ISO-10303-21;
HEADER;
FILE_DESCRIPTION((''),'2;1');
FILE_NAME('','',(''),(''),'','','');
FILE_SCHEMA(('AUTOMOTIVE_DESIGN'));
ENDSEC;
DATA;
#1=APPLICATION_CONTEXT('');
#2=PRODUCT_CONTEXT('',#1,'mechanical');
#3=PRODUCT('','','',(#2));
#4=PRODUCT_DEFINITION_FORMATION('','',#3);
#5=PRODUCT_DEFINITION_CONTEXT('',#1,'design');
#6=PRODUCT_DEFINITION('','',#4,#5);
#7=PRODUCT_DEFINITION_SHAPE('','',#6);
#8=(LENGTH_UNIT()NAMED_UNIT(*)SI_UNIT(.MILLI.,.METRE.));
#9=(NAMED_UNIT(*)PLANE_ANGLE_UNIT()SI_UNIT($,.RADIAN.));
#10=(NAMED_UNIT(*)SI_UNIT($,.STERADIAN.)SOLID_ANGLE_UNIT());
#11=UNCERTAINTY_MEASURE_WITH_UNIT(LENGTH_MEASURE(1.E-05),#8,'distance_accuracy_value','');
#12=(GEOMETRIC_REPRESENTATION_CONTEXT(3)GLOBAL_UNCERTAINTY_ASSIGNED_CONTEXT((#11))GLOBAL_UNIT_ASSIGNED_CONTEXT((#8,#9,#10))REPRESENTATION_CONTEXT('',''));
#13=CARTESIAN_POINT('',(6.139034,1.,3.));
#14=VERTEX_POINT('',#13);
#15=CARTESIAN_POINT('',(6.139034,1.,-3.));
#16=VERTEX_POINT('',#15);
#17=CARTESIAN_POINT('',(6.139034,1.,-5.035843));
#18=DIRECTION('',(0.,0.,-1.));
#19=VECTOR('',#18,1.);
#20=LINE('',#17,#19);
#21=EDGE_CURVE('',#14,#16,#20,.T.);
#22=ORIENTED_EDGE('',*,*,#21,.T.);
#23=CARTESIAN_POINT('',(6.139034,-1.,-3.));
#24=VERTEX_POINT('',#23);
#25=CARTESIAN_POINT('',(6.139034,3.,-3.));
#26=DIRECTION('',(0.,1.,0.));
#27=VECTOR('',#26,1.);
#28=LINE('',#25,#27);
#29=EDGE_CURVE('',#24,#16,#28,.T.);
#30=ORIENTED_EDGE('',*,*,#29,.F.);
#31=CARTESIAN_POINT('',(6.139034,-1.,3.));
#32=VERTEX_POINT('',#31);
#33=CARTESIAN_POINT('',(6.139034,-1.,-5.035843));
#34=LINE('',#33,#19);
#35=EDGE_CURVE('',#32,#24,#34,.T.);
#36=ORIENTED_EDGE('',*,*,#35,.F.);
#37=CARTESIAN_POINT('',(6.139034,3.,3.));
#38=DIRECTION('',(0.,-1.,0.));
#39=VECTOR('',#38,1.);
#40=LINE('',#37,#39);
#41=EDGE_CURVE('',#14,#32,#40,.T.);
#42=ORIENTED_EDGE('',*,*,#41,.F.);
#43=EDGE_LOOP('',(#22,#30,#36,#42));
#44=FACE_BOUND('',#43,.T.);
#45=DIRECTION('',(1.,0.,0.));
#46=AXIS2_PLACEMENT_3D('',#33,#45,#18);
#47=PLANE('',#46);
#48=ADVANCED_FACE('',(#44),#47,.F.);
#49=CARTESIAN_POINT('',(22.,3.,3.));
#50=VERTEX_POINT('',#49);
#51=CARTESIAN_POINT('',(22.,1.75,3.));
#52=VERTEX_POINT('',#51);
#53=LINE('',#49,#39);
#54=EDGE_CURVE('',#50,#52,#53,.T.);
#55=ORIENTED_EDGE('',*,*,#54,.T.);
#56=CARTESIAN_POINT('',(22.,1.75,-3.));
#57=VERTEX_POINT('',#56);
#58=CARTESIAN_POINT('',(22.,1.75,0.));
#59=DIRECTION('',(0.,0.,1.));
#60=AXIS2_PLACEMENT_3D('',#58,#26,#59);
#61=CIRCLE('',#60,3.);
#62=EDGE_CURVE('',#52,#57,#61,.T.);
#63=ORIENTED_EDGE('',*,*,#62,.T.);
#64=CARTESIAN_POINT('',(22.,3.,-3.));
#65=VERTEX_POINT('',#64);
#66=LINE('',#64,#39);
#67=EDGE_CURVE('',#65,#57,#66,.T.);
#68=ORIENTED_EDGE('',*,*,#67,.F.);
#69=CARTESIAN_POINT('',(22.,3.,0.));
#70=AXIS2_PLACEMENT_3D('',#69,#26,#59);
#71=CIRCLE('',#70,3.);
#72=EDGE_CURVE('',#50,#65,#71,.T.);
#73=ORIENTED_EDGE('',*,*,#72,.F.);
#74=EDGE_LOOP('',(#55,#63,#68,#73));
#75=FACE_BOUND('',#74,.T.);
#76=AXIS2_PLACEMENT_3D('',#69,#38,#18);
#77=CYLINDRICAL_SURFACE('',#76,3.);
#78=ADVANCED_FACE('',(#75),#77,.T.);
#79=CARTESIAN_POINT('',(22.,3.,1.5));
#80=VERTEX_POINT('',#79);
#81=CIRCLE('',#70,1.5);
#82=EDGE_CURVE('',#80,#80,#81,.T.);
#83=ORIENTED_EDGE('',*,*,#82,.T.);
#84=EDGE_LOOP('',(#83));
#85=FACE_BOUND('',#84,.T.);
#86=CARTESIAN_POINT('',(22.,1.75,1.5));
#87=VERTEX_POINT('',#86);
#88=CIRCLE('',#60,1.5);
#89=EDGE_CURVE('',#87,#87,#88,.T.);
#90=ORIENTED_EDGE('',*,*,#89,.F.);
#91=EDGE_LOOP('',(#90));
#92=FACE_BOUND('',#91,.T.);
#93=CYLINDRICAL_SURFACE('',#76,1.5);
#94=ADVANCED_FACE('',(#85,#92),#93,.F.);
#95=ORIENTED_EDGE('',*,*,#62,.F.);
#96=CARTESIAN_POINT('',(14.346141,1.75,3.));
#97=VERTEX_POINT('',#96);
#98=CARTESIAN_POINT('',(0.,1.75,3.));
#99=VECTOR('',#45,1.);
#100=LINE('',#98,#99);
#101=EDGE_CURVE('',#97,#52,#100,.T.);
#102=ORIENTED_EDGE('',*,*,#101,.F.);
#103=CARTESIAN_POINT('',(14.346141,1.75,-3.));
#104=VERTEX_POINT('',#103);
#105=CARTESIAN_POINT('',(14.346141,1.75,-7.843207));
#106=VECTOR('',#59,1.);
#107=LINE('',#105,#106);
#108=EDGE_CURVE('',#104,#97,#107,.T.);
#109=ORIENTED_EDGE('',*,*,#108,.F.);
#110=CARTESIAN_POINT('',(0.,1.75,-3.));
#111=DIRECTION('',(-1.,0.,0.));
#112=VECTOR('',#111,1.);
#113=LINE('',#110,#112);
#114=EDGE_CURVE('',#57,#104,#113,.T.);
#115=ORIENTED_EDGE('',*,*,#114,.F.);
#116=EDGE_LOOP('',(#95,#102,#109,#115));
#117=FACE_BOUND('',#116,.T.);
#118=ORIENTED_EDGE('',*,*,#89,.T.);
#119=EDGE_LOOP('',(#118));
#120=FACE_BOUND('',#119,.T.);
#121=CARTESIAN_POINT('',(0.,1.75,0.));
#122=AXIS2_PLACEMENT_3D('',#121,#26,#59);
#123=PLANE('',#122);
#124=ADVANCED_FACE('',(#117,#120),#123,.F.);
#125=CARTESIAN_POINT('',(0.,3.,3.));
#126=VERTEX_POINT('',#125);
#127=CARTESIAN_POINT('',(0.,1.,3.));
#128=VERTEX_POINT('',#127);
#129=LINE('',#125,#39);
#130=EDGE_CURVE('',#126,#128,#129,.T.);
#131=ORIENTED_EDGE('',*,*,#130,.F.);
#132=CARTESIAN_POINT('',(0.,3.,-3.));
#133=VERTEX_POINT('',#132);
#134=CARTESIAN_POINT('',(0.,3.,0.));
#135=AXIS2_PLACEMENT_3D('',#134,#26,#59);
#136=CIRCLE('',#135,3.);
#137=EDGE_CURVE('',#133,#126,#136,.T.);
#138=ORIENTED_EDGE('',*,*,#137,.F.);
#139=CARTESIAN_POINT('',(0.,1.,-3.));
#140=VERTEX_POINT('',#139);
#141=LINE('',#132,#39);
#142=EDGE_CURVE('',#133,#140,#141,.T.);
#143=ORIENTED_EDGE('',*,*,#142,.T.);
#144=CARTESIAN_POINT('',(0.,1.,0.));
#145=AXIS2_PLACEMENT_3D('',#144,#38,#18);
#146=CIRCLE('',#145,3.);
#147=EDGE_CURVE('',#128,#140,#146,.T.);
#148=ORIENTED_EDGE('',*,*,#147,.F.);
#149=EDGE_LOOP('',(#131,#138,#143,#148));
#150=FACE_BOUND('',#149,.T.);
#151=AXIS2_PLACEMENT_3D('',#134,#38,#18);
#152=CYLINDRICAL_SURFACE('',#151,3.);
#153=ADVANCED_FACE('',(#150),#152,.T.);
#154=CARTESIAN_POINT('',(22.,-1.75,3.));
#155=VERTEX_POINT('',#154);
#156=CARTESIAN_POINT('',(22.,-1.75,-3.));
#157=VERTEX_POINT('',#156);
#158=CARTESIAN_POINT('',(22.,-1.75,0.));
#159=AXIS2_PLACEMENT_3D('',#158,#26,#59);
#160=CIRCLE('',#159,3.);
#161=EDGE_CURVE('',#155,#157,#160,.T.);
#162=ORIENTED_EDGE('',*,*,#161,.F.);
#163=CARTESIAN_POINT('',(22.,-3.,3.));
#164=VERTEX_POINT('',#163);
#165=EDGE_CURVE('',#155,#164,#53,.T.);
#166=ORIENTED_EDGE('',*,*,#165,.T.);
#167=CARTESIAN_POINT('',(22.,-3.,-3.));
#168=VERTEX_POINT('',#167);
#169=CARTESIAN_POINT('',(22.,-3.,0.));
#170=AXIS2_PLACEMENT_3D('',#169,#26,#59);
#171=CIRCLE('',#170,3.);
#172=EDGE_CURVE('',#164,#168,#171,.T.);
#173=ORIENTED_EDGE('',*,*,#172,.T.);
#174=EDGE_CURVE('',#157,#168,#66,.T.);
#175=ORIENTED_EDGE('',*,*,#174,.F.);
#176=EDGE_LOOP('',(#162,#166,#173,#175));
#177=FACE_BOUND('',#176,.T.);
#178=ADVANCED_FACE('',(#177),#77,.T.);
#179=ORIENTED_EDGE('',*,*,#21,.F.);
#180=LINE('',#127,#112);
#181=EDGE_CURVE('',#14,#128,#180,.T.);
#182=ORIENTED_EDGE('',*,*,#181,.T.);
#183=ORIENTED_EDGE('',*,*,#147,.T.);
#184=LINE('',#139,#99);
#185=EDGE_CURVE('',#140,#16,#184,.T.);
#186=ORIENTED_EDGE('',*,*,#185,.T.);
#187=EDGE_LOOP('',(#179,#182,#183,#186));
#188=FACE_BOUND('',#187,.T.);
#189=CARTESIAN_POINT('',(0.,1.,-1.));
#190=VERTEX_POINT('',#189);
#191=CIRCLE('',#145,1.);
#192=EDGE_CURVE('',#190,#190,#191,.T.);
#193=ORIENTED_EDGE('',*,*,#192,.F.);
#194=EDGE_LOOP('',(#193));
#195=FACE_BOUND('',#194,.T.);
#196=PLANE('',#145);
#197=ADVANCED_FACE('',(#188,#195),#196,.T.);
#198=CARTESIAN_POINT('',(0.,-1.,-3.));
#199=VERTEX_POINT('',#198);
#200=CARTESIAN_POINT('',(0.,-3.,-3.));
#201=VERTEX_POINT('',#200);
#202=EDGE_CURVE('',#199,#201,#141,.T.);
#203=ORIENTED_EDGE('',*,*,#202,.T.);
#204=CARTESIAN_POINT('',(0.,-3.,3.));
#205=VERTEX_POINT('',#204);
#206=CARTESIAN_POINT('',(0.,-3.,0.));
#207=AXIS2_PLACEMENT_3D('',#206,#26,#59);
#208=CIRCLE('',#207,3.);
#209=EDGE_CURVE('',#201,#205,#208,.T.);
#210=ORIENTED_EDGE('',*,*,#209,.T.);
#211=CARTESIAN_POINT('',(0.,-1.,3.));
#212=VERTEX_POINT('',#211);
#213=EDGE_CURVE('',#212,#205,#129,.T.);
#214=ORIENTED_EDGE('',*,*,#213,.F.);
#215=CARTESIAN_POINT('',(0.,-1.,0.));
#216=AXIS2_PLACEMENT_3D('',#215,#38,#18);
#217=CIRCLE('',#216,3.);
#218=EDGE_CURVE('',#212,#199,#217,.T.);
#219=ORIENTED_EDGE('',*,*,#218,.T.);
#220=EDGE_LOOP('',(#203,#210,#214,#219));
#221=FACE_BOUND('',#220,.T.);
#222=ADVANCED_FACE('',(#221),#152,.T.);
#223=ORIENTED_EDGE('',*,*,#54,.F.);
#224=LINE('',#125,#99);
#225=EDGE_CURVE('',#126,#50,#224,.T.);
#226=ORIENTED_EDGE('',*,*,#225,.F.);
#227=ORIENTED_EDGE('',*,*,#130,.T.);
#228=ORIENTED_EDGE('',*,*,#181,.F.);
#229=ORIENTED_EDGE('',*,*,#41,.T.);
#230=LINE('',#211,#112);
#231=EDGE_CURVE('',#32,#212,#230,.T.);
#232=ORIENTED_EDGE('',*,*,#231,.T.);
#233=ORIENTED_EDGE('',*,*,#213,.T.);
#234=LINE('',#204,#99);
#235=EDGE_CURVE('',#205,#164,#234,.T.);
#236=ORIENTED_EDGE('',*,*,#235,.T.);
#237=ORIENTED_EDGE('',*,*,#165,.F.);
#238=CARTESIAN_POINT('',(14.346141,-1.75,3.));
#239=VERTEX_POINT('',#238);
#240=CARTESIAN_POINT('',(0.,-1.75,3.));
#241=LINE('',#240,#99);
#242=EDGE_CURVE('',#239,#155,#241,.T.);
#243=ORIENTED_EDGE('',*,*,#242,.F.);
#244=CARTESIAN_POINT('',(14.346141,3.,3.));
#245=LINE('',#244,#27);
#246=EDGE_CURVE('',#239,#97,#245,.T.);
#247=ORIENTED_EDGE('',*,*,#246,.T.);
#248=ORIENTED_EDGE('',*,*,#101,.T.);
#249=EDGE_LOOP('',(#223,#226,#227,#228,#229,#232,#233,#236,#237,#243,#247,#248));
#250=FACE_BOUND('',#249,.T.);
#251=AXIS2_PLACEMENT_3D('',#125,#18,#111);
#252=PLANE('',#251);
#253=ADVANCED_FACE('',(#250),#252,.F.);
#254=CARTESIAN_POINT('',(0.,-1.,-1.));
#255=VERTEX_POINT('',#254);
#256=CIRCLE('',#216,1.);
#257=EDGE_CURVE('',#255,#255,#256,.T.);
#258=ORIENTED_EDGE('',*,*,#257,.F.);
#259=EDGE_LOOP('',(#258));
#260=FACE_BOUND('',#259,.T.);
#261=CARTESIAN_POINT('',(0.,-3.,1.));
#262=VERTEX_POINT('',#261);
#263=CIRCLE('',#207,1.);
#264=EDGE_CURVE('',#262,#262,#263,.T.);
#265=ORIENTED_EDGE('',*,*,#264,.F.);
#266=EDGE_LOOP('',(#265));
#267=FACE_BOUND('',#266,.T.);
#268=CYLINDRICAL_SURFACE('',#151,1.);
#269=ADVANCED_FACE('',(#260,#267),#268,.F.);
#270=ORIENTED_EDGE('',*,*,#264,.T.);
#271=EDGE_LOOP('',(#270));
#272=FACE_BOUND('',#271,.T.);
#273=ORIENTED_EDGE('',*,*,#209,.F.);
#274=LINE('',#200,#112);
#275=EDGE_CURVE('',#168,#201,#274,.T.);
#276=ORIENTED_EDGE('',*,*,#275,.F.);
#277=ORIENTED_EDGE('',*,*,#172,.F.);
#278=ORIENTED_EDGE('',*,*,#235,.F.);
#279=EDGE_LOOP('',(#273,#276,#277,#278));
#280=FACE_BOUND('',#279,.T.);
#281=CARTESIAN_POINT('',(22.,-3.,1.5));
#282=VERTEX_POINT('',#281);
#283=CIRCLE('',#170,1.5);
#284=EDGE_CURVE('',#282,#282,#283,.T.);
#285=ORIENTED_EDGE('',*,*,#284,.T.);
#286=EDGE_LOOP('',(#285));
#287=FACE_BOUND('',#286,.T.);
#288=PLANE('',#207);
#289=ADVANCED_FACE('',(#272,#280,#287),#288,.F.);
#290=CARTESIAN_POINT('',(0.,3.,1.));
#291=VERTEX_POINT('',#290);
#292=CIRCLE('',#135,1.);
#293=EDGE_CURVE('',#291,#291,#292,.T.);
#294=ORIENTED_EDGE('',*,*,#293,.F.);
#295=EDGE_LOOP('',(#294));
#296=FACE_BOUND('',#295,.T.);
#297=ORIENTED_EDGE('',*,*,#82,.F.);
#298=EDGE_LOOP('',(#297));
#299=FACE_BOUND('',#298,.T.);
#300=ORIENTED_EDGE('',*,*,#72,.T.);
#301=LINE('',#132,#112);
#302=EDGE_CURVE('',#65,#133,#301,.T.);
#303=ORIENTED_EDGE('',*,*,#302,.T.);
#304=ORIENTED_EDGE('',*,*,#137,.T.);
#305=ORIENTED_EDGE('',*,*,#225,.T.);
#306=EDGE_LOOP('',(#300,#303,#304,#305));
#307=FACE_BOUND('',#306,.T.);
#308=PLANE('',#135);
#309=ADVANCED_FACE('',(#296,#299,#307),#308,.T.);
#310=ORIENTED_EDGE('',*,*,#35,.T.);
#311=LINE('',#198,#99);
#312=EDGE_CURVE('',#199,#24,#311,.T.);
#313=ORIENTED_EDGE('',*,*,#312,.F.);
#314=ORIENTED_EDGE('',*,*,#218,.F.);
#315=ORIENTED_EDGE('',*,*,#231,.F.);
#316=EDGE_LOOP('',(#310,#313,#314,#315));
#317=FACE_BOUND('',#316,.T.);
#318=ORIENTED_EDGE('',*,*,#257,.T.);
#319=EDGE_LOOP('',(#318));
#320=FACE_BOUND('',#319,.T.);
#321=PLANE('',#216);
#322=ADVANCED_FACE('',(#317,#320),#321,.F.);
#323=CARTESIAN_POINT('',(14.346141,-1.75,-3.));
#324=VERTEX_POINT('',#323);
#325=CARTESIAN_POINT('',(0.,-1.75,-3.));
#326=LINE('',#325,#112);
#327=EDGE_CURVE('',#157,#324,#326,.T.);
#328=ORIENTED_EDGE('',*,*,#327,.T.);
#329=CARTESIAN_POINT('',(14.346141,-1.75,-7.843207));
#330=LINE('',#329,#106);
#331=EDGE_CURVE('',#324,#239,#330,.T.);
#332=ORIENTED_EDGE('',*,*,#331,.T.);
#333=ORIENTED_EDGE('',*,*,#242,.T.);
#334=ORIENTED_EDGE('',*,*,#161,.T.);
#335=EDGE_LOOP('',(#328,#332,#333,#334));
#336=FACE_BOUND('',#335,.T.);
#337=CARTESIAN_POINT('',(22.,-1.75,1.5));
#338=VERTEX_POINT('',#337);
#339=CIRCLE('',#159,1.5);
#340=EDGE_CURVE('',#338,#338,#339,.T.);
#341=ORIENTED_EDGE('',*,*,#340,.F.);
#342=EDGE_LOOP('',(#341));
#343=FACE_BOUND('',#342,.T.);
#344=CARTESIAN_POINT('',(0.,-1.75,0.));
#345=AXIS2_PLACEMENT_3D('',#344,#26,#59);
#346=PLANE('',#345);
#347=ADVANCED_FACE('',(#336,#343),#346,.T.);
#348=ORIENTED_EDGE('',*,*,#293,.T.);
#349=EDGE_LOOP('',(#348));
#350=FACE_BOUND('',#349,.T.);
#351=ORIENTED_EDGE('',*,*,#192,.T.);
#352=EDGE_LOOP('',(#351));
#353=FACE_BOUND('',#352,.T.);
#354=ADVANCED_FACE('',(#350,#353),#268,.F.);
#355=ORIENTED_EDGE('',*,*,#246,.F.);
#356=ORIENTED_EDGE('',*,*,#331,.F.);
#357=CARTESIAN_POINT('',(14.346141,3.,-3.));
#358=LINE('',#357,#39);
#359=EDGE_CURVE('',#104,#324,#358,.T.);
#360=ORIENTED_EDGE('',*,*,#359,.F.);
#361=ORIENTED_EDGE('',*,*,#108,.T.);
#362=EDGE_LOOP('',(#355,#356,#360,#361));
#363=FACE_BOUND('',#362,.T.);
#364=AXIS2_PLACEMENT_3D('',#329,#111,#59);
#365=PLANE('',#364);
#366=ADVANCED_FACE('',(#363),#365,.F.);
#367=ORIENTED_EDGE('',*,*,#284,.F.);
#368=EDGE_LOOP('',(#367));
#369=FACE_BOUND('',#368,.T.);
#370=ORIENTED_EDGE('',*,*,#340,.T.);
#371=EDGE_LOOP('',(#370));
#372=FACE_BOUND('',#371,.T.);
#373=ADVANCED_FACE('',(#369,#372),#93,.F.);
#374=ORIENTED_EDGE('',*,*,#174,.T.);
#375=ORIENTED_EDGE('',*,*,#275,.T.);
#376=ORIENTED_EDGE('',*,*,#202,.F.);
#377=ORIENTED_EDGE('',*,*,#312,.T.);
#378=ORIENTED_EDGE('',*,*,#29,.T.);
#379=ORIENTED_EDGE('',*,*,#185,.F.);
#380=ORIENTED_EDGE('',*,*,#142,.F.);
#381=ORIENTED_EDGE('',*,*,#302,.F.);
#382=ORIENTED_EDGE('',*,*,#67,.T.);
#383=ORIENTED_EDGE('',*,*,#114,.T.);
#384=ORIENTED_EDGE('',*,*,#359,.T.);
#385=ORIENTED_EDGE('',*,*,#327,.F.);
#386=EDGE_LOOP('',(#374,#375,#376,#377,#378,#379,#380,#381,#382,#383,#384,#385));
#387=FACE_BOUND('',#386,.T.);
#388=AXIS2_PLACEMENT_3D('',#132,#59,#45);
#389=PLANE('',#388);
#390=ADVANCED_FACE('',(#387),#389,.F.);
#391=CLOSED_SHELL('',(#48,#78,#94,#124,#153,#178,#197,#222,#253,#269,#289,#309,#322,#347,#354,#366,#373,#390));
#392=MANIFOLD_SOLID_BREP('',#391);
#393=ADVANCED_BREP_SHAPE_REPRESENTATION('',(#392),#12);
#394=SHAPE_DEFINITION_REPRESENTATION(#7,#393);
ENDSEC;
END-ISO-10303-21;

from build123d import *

# Parameters (mm, degrees)
SKETCH_1_R          = 1.5
SKETCH_1_R_2        = 1
EXTRUDE_1_DEPTH     = 3
SKETCH_6_W          = 31.511370345
SKETCH_6_H          = 11.605197544
CUT_EXTRUDE_2_DEPTH = 1.75
SKETCH_7_W          = 12.660216836
SKETCH_7_H          = 9.649927943
CUT_EXTRUDE_3_DEPTH = 1


with BuildPart() as part:
    # 草图1 → 凸台-拉伸1 (new, symmetric)
    with BuildSketch(Plane(origin=(0, 0, 0), x_dir=(1, 0, 0), z_dir=(0, 1, 0))):
        with BuildLine():
            Line((0, 3), (22, 3))
            ThreePointArc((22, 3), (25, 0), (22, -3))
            Line((22, -3), (0, -3))
            ThreePointArc((0, -3), (-3, 0), (0, 3))
        make_face()
        with Locations(Location((22, 0, 0), (0, 0, 270))):
            Circle(SKETCH_1_R, mode=Mode.SUBTRACT)
        with Locations(Location((0, 0, 0), (0, 0, 270))):
            Circle(SKETCH_1_R_2, mode=Mode.SUBTRACT)
    extrude(amount=EXTRUDE_1_DEPTH, both=True)

    # 草图6 → 切除-拉伸2 (cut, symmetric)
    with BuildSketch(Plane(origin=(0, 0, 0), x_dir=(1, 0, 0), z_dir=(0, 1, 0))):
        with Locations((30.101826092, 2.040608699)):
            Rectangle(SKETCH_6_W, SKETCH_6_H)
    extrude(amount=CUT_EXTRUDE_2_DEPTH, both=True, mode=Mode.SUBTRACT)

    # 草图7 → 切除-拉伸3 (cut, symmetric)
    with BuildSketch(Plane(origin=(0, 0, 0), x_dir=(1, 0, 0), z_dir=(0, 1, 0))):
        with Locations((-0.191074288, 0.210879474)):
            Rectangle(SKETCH_7_W, SKETCH_7_H)
    extrude(amount=CUT_EXTRUDE_3_DEPTH, both=True, mode=Mode.SUBTRACT)


solid = part.part
